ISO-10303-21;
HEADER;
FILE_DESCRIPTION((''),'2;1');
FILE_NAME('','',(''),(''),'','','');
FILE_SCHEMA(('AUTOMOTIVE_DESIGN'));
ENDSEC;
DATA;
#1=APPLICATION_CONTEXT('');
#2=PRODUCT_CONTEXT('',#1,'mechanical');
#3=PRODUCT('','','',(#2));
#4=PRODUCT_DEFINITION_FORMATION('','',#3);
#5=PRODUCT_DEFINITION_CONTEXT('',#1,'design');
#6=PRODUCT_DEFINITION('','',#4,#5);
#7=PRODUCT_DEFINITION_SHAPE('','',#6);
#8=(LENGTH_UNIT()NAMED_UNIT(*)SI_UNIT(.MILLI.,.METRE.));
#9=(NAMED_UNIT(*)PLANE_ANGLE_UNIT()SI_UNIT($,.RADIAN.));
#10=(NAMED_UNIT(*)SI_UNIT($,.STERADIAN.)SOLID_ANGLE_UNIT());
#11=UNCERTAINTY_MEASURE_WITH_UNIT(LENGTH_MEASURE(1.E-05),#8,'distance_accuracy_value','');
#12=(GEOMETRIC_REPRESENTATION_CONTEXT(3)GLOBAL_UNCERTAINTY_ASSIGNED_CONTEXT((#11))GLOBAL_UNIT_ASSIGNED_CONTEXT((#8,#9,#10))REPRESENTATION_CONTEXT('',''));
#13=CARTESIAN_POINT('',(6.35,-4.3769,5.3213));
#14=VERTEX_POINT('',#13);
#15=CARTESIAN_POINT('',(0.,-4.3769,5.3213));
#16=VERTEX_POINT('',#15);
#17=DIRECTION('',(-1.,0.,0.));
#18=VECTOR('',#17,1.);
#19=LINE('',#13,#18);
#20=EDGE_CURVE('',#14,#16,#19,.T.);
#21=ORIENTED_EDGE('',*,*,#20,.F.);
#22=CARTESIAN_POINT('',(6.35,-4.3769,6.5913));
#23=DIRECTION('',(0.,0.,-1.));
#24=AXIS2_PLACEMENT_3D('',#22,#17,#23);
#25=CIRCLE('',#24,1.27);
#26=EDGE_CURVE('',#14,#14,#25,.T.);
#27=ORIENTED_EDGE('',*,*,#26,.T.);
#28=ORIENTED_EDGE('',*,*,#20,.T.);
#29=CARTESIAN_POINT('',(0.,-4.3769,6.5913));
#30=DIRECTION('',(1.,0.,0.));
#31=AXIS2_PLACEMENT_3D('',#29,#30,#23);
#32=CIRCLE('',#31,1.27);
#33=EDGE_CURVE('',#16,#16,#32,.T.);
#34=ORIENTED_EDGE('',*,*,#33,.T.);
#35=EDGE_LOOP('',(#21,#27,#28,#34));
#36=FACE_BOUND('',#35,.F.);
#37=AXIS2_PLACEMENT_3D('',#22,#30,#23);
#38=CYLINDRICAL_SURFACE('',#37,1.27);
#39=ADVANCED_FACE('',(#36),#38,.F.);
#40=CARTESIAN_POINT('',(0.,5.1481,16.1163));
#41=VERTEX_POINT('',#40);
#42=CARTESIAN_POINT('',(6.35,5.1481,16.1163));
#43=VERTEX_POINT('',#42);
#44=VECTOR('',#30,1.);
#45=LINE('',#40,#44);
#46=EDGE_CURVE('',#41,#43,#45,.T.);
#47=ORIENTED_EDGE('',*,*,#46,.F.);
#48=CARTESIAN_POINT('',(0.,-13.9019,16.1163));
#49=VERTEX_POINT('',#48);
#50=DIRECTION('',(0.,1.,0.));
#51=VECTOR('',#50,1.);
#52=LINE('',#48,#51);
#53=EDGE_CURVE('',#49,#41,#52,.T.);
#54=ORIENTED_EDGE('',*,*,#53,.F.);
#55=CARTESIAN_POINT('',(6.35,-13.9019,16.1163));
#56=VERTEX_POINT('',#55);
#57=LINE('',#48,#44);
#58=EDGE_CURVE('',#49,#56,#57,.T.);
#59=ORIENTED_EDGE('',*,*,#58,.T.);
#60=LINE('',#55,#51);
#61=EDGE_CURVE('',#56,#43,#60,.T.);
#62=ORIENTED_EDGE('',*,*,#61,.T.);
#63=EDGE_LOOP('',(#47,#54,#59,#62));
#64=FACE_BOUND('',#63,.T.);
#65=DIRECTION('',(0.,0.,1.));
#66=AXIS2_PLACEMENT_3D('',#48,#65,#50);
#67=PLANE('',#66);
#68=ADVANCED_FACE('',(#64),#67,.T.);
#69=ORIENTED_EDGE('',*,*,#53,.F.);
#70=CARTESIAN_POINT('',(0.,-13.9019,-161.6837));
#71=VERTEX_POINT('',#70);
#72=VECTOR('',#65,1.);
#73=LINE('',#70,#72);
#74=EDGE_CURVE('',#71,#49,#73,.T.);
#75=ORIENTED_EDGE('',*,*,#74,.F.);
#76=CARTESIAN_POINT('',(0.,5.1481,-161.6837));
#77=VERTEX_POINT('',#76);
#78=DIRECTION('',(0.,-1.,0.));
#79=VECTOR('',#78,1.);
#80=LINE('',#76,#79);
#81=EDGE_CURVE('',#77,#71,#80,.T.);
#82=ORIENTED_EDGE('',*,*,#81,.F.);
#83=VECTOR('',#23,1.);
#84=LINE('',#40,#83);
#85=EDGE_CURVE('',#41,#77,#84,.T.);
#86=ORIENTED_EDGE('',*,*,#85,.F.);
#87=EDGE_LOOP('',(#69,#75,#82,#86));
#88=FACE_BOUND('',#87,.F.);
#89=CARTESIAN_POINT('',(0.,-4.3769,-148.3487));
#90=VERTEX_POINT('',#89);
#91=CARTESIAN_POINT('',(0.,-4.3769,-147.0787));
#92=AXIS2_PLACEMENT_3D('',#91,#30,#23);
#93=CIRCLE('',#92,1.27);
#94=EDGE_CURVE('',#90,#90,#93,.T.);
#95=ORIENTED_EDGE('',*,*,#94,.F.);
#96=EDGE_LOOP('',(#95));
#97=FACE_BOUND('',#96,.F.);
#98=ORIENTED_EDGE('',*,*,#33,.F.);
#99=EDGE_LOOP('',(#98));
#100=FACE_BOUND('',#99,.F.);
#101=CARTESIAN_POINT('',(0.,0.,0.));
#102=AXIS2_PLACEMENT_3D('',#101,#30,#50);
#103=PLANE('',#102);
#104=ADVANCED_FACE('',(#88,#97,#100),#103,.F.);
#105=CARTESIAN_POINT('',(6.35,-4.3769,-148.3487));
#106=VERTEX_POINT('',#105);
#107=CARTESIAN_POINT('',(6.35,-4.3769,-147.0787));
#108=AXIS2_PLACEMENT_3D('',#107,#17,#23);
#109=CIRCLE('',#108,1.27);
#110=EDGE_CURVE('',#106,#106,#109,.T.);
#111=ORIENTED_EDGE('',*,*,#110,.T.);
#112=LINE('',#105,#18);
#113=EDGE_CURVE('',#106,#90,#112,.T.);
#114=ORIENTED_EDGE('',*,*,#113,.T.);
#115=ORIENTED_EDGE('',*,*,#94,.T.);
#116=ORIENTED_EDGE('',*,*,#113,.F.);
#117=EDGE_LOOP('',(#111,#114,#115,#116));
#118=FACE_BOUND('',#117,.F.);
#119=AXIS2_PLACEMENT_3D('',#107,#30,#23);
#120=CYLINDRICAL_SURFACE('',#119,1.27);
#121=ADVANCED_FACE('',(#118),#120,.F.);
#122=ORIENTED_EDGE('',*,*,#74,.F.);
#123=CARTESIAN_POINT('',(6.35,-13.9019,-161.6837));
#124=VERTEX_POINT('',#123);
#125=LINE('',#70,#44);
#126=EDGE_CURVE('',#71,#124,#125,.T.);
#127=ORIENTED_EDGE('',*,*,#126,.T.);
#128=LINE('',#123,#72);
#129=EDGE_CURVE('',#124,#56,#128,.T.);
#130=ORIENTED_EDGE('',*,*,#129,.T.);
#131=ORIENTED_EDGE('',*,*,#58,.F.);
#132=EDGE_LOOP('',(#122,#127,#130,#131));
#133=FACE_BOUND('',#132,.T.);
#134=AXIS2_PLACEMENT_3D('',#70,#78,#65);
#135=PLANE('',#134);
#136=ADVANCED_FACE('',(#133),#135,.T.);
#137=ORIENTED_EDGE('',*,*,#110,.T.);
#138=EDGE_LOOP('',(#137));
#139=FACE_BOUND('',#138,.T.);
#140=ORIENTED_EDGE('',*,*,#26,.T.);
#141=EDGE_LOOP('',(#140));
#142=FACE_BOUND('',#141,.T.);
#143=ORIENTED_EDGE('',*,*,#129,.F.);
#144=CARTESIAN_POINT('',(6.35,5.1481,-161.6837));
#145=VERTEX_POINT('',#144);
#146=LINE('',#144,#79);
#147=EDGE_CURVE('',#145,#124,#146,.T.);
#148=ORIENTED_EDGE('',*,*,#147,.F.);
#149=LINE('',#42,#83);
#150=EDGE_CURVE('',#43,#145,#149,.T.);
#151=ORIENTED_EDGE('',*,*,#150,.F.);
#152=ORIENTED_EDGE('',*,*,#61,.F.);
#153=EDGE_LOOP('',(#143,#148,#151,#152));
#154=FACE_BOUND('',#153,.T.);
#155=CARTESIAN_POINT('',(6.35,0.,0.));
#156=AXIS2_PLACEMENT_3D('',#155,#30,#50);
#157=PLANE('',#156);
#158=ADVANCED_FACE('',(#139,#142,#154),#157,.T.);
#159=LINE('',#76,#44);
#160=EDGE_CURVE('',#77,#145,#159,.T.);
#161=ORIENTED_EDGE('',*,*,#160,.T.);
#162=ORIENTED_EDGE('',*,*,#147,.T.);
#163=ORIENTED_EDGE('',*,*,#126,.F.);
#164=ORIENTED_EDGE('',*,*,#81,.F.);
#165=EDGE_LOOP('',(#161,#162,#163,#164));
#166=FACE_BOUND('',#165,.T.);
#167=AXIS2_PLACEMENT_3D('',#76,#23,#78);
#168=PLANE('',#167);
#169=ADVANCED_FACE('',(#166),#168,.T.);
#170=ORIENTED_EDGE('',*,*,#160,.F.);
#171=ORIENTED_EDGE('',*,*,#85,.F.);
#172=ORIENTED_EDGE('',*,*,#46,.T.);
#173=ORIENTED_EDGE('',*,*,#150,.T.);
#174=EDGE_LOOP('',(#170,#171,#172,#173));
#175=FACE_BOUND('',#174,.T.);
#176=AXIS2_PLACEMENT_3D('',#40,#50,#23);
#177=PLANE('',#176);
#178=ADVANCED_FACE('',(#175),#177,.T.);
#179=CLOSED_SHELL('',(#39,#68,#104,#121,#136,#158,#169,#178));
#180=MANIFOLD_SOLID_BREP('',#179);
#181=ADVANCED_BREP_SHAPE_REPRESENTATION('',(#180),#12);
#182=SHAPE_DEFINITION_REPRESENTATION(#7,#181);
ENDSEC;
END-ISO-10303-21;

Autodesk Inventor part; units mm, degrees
ref_plane "YZ Plane" through (0, 0, 0) normal (1, 0, 0) x (0, 1, 0)
ref_plane "XZ Plane" through (0, 0, 0) normal (0, 1, 0) x (-1, 0, 0)
ref_plane "XY Plane" through (0, 0, 0) normal (0, 0, 1) x (1, 0, 0)
sketch "Sketch1" plane through (0, 0, 0) normal (1, 0, 0) x (0, 1, 0)
  line L0 (5.1481, 16.1163) -> (5.1481, -161.6837)
  line L1 (5.1481, -161.6837) -> (-13.9019, -161.6837)
  line L2 (-13.9019, -161.6837) -> (-13.9019, 16.1163)
  line L3 (-13.9019, 16.1163) -> (5.1481, 16.1163)
  point P0 (0, 0)
  dimension "d0" = 177.8
  dimension "d1" = 19.05
  dimension "d2" = 177.8
extrude "Extrusion1" add sketch "Sketch1" along normal blind 6.35
sketch "Sketch2" plane through (6.35, 0, 0) normal (1, 0, 0) x (0, 0, -1)
  line L0 (-16.1163, 5.1481) -> (-16.1163, -13.9019) projected
  line L1 (-16.1163, 5.1481) -> (-16.1163, -4.3769)
  line L2 (-16.1163, -4.3769) -> (-6.5913, -4.3769)
  circle A0 centre (-6.5913, -4.3769) radius 1.27
  line L3 (-5.3213, -4.3769) -> (147.0787, -4.3769)
  circle A1 centre (147.0787, -4.3769) radius 1.27
  point P0 (0, 0)
  dimension "d8" = 2.54
  dimension "d5" = 9.525
  dimension "d6" = 9.525
  dimension "d9" = 152.4
  dimension "d10" = 2.54
extrude "Extrusion2" cut sketch "Sketch2" against normal blind 6.35
